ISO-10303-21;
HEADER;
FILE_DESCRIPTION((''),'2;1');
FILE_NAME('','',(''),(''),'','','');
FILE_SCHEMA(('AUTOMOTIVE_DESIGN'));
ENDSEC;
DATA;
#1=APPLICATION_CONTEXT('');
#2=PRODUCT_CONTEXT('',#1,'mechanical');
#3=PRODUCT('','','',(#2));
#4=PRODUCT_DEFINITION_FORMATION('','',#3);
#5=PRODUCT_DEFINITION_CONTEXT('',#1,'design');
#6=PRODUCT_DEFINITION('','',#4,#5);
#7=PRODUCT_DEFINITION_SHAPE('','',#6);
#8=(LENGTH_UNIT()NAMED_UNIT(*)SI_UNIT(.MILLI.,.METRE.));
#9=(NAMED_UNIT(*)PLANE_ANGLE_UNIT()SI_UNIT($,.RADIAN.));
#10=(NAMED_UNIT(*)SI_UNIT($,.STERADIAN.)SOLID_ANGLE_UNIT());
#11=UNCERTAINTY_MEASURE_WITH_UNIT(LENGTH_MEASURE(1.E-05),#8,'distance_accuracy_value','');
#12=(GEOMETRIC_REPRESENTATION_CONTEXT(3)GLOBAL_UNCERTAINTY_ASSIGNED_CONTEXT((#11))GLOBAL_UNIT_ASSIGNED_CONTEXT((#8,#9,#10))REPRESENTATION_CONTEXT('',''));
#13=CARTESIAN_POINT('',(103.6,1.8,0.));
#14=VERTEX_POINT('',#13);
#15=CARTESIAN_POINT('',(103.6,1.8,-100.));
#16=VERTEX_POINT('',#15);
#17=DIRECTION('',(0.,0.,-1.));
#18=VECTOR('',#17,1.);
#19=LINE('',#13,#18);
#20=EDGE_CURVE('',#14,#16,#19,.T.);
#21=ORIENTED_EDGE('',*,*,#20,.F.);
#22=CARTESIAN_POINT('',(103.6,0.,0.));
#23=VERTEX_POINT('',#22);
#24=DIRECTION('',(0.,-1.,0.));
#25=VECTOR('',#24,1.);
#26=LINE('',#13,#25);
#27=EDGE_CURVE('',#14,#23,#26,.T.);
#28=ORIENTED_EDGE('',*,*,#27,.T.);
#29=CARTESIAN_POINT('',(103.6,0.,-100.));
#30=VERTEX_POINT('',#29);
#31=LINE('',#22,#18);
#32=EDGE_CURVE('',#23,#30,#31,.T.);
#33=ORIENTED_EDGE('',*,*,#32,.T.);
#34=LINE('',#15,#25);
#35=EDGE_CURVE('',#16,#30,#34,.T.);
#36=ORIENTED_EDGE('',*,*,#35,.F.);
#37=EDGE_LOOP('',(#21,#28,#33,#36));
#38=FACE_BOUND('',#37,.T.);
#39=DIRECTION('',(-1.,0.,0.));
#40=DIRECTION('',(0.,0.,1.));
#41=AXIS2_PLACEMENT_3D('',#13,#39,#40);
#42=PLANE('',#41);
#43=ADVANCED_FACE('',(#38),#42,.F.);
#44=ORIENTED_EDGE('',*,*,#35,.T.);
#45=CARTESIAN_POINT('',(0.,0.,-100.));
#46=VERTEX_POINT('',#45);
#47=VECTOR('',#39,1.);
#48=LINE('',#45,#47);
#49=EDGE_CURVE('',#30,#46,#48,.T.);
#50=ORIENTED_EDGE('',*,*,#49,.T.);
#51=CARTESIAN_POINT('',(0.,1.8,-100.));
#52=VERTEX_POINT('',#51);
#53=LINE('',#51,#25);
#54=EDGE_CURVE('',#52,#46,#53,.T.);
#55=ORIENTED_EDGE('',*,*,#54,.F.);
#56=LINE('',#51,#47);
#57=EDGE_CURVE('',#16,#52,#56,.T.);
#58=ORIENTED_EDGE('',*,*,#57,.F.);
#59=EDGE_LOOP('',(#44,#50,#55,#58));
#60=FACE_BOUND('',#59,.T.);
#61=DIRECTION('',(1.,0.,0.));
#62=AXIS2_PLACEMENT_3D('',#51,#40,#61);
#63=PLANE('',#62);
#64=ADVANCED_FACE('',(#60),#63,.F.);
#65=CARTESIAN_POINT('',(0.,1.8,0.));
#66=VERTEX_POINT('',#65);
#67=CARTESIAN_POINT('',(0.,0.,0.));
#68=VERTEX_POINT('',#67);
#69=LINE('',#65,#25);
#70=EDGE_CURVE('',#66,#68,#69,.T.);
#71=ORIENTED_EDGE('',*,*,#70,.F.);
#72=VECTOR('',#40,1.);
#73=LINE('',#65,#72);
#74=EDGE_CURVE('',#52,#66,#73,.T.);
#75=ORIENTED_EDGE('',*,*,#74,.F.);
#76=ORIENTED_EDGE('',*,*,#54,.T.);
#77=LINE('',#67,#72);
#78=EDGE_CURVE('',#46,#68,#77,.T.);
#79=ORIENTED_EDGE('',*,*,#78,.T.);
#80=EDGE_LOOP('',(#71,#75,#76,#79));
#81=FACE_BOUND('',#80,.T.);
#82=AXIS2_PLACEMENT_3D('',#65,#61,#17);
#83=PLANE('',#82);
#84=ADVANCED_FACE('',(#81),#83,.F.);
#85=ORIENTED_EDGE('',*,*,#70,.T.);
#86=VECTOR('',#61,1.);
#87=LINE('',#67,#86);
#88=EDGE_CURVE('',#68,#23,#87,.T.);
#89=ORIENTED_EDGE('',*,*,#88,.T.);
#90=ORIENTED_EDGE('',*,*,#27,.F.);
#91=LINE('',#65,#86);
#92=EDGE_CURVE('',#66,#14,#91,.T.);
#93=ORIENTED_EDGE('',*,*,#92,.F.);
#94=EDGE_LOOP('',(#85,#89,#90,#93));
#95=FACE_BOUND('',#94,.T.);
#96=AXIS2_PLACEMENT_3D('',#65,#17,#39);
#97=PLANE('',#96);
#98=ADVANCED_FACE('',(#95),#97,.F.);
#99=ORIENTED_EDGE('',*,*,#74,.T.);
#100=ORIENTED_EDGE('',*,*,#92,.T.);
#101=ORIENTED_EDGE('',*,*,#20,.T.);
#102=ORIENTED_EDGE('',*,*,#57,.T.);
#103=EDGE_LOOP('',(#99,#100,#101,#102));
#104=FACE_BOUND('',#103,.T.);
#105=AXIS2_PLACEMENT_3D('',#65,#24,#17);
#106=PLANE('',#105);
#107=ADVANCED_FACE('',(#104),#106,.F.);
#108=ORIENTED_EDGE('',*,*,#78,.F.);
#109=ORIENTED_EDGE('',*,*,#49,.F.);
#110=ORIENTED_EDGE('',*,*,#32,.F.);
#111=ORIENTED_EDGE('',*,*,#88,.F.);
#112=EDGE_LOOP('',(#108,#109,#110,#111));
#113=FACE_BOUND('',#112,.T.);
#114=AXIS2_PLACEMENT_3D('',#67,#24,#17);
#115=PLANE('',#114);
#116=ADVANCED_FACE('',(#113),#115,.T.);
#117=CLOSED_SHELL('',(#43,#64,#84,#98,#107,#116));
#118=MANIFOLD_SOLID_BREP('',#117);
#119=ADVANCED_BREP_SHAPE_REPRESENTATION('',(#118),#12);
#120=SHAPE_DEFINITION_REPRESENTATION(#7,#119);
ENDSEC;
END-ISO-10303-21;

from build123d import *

# Parameters (mm, degrees)
SKETCH_1_W      = 103.6
SKETCH_1_H      = 100
EXTRUDE_1_DEPTH = 1.8


with BuildPart() as part:
    # 草图1 → 凸台-拉伸1 (new body)
    with BuildSketch(Plane(origin=(0, 0, 0), x_dir=(1, 0, 0), z_dir=(0, 1, 0))):
        with Locations((51.8, 50)):
            Rectangle(SKETCH_1_W, SKETCH_1_H)
    extrude(amount=EXTRUDE_1_DEPTH)


solid = part.part
